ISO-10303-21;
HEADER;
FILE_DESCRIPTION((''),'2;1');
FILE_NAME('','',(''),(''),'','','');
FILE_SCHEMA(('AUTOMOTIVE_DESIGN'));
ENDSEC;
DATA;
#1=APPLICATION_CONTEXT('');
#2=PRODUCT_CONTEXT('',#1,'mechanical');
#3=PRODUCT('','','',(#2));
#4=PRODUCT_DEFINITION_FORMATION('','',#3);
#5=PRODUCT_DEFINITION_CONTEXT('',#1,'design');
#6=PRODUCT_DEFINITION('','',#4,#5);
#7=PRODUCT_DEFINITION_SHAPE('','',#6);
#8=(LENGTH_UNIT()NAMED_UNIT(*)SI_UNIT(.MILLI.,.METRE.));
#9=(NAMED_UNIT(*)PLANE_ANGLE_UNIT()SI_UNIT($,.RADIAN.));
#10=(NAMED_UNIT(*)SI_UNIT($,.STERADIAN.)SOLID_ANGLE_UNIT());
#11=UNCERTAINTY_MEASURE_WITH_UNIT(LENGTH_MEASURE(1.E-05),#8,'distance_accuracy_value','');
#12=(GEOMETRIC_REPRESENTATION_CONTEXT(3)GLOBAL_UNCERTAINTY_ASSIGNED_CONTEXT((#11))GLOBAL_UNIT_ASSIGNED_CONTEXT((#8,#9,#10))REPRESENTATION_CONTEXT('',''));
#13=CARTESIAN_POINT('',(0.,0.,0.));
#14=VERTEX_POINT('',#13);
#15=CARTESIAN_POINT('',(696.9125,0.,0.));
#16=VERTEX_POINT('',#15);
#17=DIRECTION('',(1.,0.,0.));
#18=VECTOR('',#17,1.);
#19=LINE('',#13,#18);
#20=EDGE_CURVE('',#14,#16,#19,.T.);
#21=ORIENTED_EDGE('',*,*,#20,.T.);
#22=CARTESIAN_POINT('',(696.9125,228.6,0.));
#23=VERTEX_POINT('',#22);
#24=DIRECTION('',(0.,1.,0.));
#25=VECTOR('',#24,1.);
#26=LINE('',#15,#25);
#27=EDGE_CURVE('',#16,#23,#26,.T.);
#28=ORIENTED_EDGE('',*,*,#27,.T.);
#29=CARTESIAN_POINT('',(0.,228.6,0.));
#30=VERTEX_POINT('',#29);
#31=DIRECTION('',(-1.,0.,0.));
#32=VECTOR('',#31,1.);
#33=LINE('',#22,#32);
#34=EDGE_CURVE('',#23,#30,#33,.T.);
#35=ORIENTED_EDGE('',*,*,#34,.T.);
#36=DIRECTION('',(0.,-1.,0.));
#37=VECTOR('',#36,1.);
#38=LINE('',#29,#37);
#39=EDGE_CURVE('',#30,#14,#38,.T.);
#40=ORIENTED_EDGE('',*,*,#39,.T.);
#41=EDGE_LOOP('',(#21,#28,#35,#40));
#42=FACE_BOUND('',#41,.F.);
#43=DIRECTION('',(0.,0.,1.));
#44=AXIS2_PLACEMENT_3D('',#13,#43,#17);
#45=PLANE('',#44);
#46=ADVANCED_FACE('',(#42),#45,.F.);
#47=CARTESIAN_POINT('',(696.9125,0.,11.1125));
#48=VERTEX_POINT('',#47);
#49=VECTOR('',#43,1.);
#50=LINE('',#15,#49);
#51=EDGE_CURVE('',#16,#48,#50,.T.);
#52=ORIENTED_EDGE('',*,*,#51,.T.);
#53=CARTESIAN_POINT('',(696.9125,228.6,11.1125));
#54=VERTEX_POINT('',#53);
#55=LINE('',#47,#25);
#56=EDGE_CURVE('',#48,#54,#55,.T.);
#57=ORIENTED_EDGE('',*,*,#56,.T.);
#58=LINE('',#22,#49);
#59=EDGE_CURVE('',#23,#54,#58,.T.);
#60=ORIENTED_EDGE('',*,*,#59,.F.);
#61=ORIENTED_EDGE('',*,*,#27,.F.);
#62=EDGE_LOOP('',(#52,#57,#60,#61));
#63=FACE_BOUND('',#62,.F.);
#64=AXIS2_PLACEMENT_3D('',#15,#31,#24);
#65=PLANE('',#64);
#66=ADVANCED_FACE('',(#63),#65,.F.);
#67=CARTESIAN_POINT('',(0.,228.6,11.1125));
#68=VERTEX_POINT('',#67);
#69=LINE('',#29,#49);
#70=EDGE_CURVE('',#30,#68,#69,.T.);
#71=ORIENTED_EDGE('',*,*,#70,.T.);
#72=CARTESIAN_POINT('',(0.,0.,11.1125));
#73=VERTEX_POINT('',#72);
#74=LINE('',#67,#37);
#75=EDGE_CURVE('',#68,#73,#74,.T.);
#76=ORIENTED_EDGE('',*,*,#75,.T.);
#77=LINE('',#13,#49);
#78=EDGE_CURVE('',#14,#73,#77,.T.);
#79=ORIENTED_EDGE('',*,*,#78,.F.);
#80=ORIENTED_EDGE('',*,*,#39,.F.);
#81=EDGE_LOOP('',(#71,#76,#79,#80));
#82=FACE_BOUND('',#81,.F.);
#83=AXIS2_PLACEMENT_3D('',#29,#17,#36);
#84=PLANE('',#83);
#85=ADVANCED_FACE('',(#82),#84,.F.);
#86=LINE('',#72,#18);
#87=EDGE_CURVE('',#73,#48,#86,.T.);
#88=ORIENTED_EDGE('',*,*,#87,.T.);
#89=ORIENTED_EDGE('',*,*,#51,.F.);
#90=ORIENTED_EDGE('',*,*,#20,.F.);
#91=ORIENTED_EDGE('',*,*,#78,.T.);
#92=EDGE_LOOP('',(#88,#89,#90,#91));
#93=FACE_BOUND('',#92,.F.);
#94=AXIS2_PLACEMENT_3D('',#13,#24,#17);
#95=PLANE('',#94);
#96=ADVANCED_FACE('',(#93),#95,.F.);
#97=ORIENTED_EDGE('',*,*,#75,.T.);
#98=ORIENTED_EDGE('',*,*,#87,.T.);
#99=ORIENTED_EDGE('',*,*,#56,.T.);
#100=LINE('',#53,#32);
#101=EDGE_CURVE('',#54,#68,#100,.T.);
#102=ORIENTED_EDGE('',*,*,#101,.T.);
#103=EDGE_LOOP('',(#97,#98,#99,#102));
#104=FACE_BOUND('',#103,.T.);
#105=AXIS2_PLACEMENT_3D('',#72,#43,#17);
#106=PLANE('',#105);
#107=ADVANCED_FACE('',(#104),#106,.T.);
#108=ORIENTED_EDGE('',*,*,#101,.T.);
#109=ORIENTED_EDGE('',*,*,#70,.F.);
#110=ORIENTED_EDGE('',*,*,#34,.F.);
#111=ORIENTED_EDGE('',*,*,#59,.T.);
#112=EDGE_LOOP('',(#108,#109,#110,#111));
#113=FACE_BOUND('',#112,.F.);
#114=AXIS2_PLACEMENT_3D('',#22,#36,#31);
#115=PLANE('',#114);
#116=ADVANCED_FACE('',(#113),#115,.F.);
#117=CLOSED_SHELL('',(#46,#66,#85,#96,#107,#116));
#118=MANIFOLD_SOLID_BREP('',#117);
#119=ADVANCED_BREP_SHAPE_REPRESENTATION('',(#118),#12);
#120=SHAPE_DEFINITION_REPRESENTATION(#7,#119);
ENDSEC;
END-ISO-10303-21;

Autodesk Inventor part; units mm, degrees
ref_plane "YZ Plane" through (0, 0, 0) normal (1, 0, 0) x (0, 1, 0)
ref_plane "XZ Plane" through (0, 0, 0) normal (0, 1, 0) x (-1, 0, 0)
ref_plane "XY Plane" through (0, 0, 0) normal (0, 0, 1) x (1, 0, 0)
sketch "Sketch1" plane through (0, 0, 0) normal (0, 0, 1) x (1, 0, 0)
  line L0 (0, 0) -> (696.9125, 0)
  line L1 (696.9125, 0) -> (696.9125, 228.6)
  line L2 (696.9125, 228.6) -> (0, 228.6)
  line L3 (0, 228.6) -> (0, 0)
  dimension "d0" = 696.9125
  dimension "d1" = 228.6
extrude "Extrusion1" add sketch "Sketch1" along normal blind 11.1125
properties part number "plywood side pannel"
